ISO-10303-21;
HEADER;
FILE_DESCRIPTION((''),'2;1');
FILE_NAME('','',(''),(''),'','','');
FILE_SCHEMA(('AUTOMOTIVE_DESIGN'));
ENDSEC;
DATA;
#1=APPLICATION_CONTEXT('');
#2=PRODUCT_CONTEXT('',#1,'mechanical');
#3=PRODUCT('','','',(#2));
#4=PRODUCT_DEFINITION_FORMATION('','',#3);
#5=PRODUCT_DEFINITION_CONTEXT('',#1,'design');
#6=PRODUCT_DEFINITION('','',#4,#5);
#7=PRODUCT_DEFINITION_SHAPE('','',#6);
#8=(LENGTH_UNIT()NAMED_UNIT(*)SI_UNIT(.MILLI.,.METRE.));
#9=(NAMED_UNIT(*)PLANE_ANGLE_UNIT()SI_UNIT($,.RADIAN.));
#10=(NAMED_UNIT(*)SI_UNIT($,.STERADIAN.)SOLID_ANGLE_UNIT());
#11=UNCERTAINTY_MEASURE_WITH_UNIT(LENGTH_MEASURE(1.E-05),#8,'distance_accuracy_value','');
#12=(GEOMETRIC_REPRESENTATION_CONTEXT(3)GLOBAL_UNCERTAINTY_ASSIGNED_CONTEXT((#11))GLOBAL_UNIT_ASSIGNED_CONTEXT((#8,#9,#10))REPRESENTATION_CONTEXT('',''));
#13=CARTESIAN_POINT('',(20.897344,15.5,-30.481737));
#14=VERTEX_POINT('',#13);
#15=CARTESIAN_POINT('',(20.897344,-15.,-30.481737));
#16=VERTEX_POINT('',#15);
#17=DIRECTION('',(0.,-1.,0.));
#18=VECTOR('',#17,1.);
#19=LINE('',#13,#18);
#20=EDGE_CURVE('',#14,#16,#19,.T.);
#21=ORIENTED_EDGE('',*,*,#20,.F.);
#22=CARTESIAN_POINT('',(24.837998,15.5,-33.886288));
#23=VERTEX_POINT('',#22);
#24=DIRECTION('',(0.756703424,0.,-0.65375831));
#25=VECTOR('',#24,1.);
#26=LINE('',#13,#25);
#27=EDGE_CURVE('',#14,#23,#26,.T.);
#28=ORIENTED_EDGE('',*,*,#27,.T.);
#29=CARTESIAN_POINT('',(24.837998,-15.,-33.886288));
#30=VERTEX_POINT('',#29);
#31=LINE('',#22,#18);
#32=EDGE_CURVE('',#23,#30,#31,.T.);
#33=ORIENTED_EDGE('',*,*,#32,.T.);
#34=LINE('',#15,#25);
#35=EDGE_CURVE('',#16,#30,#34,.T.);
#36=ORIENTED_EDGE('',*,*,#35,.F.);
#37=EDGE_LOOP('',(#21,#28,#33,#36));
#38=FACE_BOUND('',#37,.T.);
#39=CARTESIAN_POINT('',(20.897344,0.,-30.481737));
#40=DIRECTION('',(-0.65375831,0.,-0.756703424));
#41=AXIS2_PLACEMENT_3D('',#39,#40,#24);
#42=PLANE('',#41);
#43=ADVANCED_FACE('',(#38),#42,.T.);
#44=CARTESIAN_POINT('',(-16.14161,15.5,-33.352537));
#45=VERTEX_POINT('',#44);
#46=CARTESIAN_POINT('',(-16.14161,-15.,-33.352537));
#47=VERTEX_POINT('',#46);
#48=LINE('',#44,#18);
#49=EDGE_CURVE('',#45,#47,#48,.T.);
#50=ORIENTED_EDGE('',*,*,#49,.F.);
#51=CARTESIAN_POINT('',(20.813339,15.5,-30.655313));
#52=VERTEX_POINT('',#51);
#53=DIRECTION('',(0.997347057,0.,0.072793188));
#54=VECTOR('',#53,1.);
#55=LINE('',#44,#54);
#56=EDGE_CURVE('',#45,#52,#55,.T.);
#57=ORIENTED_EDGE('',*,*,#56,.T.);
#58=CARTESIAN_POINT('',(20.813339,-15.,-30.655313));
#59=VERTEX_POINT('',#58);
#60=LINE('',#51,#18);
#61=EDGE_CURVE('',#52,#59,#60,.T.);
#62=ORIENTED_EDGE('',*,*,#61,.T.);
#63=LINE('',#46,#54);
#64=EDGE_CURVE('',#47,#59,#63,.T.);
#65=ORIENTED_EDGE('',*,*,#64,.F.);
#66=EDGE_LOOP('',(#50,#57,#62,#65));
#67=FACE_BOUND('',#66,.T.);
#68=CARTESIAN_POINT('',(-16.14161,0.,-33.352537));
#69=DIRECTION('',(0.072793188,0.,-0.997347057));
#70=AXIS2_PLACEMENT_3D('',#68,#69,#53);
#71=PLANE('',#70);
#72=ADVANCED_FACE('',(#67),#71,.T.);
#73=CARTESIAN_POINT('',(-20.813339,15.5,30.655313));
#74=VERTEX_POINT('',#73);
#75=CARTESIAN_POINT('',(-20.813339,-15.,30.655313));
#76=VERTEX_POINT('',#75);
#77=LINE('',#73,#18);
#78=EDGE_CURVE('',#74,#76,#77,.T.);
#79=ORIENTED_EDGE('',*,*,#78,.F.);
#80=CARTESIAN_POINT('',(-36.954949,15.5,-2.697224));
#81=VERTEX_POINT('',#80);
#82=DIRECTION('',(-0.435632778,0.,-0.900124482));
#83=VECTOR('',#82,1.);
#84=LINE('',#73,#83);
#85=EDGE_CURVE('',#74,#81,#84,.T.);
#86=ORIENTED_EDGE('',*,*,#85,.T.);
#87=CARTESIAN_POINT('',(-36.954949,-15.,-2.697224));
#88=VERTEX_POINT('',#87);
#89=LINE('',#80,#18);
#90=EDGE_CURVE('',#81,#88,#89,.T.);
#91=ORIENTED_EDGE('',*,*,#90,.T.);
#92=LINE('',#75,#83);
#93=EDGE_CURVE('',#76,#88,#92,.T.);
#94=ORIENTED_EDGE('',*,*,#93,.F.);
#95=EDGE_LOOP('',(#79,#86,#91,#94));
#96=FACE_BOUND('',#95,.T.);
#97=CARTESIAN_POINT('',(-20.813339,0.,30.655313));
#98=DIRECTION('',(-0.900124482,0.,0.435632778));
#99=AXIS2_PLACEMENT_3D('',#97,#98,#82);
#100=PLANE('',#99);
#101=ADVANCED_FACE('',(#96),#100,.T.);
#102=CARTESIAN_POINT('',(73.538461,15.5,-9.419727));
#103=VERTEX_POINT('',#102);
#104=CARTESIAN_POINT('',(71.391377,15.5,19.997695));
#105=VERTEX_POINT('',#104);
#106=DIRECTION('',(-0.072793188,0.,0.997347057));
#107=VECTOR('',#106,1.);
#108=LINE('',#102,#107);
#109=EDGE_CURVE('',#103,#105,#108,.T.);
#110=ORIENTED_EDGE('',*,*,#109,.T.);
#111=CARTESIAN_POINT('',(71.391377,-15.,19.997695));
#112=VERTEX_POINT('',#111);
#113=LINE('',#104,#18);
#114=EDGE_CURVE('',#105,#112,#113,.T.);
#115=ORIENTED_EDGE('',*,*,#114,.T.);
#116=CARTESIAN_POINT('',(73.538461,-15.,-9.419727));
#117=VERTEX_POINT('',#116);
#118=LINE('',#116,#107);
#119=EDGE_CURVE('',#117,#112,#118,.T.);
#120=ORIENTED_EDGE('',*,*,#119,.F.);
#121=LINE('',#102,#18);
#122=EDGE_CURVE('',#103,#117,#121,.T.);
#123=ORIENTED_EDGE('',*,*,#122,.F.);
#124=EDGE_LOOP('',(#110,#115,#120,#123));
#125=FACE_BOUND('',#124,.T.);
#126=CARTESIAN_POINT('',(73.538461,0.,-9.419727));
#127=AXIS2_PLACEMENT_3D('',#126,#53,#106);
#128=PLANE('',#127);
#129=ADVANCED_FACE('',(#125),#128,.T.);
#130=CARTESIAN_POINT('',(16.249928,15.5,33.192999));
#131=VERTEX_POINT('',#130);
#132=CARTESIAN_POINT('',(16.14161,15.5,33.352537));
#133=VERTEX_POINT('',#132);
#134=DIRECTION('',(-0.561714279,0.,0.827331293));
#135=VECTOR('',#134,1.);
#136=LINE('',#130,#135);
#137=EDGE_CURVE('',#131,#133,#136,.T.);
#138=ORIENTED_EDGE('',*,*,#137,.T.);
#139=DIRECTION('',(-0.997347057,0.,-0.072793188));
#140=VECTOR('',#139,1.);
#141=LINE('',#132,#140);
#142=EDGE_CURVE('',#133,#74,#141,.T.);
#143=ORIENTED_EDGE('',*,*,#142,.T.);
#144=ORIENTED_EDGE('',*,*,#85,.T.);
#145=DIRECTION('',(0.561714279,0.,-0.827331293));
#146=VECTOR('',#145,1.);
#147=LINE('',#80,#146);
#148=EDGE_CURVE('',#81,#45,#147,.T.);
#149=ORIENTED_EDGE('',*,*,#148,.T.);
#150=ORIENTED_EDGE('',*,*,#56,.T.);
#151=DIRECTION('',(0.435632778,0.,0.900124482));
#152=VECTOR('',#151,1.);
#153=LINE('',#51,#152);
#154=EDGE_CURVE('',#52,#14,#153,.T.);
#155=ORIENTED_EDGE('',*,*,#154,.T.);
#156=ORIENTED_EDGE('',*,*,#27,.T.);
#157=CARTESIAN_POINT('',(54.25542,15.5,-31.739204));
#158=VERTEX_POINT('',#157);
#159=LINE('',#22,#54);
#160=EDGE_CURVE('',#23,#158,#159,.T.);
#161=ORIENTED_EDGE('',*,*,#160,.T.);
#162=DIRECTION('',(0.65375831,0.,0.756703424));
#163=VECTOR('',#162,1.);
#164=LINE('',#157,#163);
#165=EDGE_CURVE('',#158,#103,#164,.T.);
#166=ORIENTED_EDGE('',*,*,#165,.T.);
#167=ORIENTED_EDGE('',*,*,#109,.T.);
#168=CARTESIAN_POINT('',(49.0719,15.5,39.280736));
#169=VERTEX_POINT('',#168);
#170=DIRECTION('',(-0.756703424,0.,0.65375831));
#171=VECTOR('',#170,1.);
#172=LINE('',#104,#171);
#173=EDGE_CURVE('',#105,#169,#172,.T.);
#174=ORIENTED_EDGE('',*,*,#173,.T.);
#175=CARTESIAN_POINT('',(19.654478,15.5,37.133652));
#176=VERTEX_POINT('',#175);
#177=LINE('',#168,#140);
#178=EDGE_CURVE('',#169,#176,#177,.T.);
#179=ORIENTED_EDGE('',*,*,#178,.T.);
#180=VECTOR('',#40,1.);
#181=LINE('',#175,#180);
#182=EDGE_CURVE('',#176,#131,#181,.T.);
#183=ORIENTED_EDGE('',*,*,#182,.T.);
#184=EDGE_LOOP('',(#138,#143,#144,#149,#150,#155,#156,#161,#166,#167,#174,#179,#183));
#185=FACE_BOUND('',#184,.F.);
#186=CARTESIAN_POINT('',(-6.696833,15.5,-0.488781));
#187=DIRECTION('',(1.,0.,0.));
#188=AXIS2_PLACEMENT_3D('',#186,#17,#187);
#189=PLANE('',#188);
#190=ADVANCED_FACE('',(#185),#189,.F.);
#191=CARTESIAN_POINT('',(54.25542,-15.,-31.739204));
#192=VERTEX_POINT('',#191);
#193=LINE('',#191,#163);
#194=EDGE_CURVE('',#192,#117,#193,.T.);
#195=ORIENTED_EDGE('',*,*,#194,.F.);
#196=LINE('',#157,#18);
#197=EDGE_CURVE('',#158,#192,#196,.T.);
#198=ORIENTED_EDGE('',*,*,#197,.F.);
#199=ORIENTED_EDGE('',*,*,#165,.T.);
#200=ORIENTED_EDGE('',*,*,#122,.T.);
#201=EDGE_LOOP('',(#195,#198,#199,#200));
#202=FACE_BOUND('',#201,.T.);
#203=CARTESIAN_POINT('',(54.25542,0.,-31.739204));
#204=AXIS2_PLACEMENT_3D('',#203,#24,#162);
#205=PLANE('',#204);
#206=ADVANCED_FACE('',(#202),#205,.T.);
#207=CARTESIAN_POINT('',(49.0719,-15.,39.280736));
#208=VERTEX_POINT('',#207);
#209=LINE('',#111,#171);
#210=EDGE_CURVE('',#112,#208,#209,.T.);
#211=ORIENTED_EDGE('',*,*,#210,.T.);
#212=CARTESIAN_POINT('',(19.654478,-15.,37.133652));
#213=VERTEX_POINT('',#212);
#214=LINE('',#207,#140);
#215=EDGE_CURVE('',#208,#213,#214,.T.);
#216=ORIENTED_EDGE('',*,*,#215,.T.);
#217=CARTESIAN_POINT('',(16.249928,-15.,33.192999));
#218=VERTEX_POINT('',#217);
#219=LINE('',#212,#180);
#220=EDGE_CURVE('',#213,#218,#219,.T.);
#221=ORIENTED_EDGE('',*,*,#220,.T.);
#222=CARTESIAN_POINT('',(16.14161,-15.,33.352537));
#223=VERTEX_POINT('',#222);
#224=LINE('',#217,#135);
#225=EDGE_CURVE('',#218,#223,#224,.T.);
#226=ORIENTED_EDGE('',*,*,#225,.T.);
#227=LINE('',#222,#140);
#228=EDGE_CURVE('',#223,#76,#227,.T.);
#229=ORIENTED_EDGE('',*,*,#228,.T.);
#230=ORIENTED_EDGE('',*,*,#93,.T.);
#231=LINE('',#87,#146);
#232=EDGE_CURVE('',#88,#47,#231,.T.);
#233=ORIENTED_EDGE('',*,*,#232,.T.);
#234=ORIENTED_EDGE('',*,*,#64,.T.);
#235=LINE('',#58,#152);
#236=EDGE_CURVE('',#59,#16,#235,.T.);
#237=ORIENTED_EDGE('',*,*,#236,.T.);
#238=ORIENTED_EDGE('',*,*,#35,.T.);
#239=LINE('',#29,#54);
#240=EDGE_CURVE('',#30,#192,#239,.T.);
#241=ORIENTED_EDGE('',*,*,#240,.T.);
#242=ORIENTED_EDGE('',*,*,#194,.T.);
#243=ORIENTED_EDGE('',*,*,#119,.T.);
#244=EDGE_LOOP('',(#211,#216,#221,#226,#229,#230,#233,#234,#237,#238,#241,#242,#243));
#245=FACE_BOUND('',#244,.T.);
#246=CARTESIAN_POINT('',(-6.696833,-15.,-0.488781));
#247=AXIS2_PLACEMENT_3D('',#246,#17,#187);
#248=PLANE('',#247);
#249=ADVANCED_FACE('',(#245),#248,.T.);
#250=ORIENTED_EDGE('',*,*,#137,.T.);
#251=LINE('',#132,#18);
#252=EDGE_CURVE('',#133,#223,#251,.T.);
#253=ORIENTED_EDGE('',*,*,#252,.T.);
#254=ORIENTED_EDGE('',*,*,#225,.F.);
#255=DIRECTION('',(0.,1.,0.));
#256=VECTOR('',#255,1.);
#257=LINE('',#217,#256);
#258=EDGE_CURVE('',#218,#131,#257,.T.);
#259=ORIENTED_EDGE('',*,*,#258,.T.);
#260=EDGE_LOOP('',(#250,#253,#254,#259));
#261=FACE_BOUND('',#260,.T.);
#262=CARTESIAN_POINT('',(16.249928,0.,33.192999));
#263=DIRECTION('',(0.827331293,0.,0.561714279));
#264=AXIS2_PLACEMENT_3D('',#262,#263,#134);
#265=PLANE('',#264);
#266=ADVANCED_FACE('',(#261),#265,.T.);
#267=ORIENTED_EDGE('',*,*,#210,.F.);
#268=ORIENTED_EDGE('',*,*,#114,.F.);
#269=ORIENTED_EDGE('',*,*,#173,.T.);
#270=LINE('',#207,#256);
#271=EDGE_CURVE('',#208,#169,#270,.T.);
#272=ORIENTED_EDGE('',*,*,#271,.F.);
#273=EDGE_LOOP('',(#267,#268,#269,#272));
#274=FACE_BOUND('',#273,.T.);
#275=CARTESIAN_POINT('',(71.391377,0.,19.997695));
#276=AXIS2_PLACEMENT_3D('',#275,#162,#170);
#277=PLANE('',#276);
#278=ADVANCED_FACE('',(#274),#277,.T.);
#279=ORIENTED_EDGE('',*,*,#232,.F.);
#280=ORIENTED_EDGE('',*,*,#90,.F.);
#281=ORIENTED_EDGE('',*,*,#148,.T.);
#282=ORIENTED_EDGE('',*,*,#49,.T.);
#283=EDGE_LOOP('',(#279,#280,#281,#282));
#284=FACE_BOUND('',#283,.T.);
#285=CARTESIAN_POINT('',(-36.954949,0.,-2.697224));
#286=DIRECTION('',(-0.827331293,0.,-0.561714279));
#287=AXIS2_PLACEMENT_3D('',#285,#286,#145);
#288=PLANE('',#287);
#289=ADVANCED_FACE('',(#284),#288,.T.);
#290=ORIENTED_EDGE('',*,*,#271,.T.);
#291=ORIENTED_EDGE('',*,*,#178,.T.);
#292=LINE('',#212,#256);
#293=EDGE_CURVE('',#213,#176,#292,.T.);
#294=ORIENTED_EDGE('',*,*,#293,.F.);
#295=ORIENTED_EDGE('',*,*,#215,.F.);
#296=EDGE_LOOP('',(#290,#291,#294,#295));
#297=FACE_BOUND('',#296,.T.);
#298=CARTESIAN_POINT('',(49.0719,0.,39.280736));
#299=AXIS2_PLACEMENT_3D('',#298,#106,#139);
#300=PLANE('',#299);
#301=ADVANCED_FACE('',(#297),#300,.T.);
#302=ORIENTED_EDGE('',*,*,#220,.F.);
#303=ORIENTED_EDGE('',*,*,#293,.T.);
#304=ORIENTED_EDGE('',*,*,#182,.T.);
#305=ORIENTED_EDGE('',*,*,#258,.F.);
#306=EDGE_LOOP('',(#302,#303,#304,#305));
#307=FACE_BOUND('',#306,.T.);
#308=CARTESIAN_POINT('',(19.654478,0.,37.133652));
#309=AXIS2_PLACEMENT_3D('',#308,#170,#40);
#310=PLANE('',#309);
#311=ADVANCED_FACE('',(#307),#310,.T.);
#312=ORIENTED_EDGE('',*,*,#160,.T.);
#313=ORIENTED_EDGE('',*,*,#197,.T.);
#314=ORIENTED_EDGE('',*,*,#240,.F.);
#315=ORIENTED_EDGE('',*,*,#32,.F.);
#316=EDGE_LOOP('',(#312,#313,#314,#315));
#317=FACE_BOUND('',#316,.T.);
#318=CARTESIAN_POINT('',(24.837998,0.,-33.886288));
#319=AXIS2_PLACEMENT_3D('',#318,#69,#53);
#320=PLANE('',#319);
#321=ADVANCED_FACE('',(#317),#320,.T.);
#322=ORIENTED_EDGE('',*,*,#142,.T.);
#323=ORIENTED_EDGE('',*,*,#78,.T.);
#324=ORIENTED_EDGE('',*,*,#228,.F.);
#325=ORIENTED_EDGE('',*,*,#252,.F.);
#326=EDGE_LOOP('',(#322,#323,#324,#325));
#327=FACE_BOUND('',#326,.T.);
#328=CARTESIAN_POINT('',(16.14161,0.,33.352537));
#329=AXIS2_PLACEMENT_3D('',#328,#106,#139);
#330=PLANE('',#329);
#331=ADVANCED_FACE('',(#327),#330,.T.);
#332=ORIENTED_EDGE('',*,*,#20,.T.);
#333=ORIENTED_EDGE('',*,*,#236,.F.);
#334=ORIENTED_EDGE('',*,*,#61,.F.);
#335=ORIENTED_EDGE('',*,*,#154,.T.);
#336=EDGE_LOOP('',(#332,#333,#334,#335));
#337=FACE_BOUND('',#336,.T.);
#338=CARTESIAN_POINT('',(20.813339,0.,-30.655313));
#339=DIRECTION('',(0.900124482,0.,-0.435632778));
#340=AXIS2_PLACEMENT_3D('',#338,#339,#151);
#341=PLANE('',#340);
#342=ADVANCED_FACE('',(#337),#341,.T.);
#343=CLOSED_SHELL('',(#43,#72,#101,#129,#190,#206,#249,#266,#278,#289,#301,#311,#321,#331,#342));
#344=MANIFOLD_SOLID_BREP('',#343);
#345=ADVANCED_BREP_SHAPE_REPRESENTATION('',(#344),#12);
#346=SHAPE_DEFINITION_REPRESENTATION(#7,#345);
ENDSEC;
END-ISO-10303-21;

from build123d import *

# Parameters (mm, degrees)
F1_DEPTH      = 15
F1_DEPTH_BACK = 15.5


with BuildPart() as f1:
    # F0 (on Front) → F1 (new body, two sides)
    with BuildSketch(Plane.XZ) as f1_sk:
        Polygon((16.2499278018, 33.1929986593), (16.1416098758, 33.3525367256), (-20.8133391472, 30.6553125732), (-36.9549490229, -2.6972241524), (-16.1416098758, -33.3525367256), (20.8133391472, -30.6553125732), (20.8973442024, -30.4817374644), (2.5185211162, -14.6032467207), (0.3714370581, 14.8141755731), align=None)
        Polygon((19.6544781498, 37.1336520592), (16.2499278018, 33.1929986593), (36.9549490229, 2.6972241524), (20.8973442024, -30.4817374644), (24.8379976023, -33.8862878124), (54.2554198961, -31.7392037543), (73.5384609877, -9.4197272682), (71.3913769297, 19.9976950256), (49.0719004435, 39.2807361173), align=None)
        Polygon((36.9549490229, 2.6972241524), (16.2499278018, 33.1929986593), (0.3714370581, 14.8141755731), (2.5185211162, -14.6032467207), (20.8973442024, -30.4817374644), align=None)
    extrude(amount=F1_DEPTH)
    extrude(f1_sk.sketch, amount=-F1_DEPTH_BACK)


solid = f1.part
